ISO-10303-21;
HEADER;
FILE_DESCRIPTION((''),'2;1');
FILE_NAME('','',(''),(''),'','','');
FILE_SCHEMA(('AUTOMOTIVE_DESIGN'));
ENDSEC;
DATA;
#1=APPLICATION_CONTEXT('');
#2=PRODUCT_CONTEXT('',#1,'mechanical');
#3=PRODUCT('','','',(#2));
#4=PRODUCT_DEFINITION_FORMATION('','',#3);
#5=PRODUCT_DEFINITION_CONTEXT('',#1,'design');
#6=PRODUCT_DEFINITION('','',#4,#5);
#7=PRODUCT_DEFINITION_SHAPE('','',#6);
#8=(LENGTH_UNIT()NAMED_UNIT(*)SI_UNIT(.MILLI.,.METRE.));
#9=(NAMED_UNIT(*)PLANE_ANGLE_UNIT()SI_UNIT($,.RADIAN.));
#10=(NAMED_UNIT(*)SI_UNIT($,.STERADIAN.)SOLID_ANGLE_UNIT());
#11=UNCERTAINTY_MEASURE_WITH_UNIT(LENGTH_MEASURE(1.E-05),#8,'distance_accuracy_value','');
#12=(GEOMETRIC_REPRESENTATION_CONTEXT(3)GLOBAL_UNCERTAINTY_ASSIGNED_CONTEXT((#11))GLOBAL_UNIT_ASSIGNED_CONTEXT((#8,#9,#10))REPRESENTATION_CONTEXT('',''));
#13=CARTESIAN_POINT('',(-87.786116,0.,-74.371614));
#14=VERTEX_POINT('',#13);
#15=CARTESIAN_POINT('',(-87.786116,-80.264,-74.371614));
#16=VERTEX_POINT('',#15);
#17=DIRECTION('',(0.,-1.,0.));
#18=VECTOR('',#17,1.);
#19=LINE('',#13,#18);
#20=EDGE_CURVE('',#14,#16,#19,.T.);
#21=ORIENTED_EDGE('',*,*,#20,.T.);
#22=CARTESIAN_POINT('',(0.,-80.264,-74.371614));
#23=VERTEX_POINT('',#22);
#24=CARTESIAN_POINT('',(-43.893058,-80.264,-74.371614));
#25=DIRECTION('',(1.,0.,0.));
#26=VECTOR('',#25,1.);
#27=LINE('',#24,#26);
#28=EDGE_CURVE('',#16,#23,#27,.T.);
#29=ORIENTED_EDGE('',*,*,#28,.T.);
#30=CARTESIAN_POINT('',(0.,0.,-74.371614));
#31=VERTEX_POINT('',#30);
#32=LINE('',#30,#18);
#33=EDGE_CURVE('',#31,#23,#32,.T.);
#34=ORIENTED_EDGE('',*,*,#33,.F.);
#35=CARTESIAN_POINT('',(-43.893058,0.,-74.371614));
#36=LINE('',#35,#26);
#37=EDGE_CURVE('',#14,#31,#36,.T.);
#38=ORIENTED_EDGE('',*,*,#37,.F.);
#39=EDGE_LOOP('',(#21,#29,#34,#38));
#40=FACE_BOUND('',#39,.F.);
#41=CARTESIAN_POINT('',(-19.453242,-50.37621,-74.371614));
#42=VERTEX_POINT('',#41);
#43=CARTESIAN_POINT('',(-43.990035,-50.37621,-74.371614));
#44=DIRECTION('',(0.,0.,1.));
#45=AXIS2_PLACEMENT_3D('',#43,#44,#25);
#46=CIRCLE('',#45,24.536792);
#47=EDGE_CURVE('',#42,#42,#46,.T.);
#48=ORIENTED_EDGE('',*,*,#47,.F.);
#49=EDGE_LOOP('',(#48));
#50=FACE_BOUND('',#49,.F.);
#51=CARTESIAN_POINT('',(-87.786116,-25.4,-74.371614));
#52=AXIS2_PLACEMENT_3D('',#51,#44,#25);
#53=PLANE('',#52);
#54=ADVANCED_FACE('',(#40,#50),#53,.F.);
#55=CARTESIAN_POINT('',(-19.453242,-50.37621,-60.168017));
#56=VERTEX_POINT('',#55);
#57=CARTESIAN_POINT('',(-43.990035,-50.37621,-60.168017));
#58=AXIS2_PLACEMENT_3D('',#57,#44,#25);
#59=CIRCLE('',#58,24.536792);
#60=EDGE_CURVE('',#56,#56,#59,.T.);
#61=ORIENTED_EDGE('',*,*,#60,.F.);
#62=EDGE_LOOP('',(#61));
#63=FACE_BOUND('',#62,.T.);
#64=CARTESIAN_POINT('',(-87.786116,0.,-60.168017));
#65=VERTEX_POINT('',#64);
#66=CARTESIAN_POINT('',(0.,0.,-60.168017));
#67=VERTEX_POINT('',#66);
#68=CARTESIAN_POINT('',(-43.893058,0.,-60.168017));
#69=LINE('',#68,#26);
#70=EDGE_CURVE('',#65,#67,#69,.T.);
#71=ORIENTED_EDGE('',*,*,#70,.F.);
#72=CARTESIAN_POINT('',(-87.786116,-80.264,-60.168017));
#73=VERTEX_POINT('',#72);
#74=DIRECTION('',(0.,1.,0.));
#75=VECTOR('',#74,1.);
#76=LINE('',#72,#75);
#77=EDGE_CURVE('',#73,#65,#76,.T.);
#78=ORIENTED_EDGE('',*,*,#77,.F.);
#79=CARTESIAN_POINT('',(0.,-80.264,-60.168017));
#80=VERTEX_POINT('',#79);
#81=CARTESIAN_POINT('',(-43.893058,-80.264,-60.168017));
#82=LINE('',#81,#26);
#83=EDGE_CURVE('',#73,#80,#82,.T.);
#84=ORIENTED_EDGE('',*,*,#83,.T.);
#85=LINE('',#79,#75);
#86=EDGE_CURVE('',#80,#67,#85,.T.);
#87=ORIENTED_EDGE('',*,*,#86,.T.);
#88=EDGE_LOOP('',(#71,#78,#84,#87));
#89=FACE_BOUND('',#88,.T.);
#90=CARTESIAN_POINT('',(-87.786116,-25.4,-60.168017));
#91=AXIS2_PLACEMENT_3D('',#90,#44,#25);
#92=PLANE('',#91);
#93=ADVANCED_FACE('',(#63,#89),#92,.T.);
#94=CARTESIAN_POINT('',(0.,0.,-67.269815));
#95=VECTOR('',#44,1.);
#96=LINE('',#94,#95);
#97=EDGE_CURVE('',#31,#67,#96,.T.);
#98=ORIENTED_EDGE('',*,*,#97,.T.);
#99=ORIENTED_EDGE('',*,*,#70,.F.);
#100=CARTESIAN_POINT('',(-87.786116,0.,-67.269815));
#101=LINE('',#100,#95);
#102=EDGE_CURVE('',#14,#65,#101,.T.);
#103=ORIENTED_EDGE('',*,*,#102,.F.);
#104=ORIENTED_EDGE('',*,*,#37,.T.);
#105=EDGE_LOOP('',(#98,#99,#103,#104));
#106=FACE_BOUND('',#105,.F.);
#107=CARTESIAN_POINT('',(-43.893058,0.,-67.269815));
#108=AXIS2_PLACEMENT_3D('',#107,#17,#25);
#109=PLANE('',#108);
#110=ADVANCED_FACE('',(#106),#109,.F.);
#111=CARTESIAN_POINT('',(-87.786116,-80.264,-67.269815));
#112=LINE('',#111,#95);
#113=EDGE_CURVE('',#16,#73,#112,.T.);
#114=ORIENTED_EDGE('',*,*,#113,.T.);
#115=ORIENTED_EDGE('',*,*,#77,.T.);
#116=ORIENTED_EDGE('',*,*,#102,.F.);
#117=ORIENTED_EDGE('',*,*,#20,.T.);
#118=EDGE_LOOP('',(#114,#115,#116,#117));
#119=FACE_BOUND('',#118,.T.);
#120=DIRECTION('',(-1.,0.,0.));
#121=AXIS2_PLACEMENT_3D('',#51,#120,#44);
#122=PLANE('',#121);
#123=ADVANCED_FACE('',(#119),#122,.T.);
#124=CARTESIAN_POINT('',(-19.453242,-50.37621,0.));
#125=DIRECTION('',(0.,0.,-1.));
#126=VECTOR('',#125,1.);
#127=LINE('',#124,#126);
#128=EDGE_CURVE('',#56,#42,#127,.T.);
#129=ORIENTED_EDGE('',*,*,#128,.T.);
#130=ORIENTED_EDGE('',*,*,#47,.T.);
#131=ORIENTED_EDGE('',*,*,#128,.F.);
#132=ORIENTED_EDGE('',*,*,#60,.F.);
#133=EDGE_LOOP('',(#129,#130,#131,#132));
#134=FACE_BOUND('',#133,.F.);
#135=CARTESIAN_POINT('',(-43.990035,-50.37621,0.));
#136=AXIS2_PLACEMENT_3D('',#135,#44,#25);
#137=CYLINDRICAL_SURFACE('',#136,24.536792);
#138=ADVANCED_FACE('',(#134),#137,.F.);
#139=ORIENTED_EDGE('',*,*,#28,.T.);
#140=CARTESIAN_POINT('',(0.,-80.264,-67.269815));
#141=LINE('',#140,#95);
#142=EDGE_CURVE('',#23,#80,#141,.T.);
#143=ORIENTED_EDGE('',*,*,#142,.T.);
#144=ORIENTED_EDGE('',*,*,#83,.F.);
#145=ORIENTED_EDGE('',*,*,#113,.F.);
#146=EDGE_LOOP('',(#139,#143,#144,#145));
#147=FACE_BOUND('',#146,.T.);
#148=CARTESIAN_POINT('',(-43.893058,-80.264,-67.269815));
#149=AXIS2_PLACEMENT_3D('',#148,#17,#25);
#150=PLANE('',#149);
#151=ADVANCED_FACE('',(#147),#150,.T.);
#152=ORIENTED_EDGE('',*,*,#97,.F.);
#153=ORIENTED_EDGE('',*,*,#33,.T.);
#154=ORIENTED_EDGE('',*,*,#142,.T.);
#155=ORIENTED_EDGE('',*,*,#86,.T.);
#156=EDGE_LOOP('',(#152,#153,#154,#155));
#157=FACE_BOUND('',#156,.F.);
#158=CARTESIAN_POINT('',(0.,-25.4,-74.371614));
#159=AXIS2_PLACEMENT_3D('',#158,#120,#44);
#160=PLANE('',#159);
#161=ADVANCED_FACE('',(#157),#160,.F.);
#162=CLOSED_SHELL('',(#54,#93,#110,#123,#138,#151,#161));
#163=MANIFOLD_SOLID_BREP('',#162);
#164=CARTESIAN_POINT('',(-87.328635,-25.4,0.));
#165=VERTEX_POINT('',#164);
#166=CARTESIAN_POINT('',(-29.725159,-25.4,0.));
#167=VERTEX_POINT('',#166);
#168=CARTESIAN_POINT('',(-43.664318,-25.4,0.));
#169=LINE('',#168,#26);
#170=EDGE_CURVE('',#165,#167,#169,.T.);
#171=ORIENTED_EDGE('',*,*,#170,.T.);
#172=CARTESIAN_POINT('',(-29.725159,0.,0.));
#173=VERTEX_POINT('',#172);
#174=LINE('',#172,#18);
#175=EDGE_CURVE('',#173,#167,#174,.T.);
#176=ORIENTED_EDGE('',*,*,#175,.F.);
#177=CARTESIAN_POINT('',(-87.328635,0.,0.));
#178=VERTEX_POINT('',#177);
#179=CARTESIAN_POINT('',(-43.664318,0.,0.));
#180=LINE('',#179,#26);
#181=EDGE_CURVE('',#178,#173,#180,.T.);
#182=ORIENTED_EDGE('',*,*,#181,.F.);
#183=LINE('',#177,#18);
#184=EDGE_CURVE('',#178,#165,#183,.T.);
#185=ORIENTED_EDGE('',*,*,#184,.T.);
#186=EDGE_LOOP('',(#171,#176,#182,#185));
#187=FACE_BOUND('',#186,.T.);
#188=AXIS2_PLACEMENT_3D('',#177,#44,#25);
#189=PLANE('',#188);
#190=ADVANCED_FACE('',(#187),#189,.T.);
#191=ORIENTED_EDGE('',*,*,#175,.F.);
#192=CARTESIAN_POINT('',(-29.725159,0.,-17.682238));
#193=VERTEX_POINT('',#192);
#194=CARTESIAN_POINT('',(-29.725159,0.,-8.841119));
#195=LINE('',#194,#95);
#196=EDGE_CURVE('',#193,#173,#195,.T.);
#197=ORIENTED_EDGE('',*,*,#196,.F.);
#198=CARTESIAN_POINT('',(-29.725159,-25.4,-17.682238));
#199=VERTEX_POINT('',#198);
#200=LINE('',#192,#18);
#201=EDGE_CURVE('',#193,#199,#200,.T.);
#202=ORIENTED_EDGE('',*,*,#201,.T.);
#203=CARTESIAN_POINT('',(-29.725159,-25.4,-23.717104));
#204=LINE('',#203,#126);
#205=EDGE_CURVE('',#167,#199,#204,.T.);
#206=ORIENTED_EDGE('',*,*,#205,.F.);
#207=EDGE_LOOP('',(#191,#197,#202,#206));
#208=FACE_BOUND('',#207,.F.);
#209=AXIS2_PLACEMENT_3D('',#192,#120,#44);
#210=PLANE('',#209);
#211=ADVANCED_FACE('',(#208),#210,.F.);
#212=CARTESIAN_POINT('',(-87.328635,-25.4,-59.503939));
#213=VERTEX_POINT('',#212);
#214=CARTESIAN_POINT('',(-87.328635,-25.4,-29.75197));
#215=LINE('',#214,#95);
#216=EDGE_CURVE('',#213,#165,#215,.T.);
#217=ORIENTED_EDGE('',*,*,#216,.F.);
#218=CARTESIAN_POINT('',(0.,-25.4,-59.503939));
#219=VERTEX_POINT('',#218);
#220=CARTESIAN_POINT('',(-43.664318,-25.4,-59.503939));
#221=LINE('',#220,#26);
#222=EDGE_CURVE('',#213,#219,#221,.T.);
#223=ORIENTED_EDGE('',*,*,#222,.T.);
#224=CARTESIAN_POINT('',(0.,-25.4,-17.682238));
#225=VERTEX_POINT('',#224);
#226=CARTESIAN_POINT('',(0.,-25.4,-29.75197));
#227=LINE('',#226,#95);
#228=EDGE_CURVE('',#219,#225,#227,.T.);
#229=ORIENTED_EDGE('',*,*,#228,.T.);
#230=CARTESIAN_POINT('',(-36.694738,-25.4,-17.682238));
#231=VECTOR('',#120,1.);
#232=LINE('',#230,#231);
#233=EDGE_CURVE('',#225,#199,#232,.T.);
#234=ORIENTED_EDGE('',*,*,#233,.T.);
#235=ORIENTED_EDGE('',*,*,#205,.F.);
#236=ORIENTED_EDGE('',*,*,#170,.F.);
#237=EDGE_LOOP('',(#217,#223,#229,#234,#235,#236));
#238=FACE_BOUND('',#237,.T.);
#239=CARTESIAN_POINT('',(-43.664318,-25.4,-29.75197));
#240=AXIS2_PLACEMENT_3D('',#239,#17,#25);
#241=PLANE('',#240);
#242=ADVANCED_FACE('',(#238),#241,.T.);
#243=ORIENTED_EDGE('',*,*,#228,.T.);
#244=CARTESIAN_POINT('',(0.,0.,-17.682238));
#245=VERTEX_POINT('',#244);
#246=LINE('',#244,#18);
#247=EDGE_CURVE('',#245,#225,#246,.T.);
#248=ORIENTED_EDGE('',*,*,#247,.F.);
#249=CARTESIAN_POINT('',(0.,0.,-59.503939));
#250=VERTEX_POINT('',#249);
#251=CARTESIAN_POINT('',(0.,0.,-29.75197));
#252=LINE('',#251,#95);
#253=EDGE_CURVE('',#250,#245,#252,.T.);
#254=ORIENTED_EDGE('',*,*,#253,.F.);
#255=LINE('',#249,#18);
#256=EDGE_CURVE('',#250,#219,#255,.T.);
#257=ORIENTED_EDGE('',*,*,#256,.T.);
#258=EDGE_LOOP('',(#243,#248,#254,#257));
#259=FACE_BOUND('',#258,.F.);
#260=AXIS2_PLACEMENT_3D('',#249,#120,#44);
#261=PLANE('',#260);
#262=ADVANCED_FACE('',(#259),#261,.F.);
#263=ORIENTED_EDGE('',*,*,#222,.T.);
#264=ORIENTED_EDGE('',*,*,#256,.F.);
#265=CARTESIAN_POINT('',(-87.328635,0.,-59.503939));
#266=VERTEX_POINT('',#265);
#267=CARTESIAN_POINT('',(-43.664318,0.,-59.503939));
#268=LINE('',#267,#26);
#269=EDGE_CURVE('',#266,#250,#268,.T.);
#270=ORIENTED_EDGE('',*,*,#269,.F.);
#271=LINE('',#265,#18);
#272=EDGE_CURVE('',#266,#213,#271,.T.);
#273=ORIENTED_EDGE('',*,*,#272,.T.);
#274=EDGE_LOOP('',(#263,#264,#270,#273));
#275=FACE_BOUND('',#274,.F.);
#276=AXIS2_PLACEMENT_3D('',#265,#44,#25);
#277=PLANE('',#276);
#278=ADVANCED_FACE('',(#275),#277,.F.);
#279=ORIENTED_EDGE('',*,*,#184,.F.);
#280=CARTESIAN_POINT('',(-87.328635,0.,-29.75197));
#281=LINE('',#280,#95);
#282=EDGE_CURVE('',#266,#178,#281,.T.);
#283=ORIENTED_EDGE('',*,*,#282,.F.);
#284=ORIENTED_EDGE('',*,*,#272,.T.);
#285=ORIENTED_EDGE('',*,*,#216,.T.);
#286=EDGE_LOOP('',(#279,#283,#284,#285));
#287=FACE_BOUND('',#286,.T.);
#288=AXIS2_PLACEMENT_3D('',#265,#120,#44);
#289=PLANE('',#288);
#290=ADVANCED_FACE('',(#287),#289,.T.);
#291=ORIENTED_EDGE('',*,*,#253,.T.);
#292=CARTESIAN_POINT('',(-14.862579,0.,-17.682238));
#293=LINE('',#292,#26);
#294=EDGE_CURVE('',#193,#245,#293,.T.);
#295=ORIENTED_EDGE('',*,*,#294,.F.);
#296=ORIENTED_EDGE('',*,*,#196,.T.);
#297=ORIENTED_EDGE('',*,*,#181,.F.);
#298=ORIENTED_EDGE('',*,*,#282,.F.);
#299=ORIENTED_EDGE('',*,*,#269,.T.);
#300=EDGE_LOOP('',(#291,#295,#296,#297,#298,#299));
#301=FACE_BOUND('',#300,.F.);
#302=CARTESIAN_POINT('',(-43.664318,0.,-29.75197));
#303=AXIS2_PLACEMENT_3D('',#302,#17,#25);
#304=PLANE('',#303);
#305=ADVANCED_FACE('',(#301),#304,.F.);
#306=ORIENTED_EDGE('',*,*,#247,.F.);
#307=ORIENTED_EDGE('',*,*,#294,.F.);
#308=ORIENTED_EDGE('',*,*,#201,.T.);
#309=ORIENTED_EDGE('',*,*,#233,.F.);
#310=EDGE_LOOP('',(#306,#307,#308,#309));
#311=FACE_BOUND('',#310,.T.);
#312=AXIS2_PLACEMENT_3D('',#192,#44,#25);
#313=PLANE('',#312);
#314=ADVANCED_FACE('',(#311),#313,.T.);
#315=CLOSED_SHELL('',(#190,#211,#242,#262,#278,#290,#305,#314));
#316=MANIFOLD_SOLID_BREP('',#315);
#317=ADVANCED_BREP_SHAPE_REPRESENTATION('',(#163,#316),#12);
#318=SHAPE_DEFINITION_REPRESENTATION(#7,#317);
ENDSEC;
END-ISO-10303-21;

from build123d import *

# Parameters (mm, degrees)
F0_W     = 87.3286351562
F0_H     = 59.5039390028
F1_DEPTH = 25.4
F2_W     = 29.7251585871
F2_H     = 17.6822375506
F3_DEPTH = 25.401
F4_W     = 87.786115706
F4_H     = 14.2035968602
F5_DEPTH = 25.4
F6_DEPTH = 54.864
F7_R     = 24.5367923139
F8_DEPTH = 74.3726135621


with BuildPart() as f1:
    # F0 (on Front) → F1 (new body)
    with BuildSketch(Plane.XZ):
        with Locations((-43.6643175781, -29.7519695014)):
            Rectangle(F0_W, F0_H)
    extrude(amount=F1_DEPTH)

    # F2 (on Front) → F3 (cut, through all)
    with BuildSketch(Plane.XZ):
        with Locations((-14.8625792935, -8.8411187753)):
            Rectangle(F2_W, F2_H)
    extrude(amount=F3_DEPTH, mode=Mode.SUBTRACT)


with BuildPart() as f5:
    # F4 (on Front) → F5 (new body)
    with BuildSketch(Plane.XZ):
        with Locations((-43.893057853, -67.269815132)):
            Rectangle(F4_W, F4_H)
    extrude(amount=F5_DEPTH)

    # F6 (add): a face of the model
    f6_faces = [f5.faces().sort_by_distance(p)[0] for p in [
        (-43.893057853, -25.4, -67.269815132),
    ]]
    extrude(f6_faces, amount=F6_DEPTH)

    # F7 (on Top) → F8 (cut, through all)
    with BuildSketch(Plane.XY):
        with Locations((-43.99003461, -50.3762103617)):
            Circle(F7_R)
    extrude(amount=-F8_DEPTH, mode=Mode.SUBTRACT)


solid = Compound([f1.part, f5.part])
